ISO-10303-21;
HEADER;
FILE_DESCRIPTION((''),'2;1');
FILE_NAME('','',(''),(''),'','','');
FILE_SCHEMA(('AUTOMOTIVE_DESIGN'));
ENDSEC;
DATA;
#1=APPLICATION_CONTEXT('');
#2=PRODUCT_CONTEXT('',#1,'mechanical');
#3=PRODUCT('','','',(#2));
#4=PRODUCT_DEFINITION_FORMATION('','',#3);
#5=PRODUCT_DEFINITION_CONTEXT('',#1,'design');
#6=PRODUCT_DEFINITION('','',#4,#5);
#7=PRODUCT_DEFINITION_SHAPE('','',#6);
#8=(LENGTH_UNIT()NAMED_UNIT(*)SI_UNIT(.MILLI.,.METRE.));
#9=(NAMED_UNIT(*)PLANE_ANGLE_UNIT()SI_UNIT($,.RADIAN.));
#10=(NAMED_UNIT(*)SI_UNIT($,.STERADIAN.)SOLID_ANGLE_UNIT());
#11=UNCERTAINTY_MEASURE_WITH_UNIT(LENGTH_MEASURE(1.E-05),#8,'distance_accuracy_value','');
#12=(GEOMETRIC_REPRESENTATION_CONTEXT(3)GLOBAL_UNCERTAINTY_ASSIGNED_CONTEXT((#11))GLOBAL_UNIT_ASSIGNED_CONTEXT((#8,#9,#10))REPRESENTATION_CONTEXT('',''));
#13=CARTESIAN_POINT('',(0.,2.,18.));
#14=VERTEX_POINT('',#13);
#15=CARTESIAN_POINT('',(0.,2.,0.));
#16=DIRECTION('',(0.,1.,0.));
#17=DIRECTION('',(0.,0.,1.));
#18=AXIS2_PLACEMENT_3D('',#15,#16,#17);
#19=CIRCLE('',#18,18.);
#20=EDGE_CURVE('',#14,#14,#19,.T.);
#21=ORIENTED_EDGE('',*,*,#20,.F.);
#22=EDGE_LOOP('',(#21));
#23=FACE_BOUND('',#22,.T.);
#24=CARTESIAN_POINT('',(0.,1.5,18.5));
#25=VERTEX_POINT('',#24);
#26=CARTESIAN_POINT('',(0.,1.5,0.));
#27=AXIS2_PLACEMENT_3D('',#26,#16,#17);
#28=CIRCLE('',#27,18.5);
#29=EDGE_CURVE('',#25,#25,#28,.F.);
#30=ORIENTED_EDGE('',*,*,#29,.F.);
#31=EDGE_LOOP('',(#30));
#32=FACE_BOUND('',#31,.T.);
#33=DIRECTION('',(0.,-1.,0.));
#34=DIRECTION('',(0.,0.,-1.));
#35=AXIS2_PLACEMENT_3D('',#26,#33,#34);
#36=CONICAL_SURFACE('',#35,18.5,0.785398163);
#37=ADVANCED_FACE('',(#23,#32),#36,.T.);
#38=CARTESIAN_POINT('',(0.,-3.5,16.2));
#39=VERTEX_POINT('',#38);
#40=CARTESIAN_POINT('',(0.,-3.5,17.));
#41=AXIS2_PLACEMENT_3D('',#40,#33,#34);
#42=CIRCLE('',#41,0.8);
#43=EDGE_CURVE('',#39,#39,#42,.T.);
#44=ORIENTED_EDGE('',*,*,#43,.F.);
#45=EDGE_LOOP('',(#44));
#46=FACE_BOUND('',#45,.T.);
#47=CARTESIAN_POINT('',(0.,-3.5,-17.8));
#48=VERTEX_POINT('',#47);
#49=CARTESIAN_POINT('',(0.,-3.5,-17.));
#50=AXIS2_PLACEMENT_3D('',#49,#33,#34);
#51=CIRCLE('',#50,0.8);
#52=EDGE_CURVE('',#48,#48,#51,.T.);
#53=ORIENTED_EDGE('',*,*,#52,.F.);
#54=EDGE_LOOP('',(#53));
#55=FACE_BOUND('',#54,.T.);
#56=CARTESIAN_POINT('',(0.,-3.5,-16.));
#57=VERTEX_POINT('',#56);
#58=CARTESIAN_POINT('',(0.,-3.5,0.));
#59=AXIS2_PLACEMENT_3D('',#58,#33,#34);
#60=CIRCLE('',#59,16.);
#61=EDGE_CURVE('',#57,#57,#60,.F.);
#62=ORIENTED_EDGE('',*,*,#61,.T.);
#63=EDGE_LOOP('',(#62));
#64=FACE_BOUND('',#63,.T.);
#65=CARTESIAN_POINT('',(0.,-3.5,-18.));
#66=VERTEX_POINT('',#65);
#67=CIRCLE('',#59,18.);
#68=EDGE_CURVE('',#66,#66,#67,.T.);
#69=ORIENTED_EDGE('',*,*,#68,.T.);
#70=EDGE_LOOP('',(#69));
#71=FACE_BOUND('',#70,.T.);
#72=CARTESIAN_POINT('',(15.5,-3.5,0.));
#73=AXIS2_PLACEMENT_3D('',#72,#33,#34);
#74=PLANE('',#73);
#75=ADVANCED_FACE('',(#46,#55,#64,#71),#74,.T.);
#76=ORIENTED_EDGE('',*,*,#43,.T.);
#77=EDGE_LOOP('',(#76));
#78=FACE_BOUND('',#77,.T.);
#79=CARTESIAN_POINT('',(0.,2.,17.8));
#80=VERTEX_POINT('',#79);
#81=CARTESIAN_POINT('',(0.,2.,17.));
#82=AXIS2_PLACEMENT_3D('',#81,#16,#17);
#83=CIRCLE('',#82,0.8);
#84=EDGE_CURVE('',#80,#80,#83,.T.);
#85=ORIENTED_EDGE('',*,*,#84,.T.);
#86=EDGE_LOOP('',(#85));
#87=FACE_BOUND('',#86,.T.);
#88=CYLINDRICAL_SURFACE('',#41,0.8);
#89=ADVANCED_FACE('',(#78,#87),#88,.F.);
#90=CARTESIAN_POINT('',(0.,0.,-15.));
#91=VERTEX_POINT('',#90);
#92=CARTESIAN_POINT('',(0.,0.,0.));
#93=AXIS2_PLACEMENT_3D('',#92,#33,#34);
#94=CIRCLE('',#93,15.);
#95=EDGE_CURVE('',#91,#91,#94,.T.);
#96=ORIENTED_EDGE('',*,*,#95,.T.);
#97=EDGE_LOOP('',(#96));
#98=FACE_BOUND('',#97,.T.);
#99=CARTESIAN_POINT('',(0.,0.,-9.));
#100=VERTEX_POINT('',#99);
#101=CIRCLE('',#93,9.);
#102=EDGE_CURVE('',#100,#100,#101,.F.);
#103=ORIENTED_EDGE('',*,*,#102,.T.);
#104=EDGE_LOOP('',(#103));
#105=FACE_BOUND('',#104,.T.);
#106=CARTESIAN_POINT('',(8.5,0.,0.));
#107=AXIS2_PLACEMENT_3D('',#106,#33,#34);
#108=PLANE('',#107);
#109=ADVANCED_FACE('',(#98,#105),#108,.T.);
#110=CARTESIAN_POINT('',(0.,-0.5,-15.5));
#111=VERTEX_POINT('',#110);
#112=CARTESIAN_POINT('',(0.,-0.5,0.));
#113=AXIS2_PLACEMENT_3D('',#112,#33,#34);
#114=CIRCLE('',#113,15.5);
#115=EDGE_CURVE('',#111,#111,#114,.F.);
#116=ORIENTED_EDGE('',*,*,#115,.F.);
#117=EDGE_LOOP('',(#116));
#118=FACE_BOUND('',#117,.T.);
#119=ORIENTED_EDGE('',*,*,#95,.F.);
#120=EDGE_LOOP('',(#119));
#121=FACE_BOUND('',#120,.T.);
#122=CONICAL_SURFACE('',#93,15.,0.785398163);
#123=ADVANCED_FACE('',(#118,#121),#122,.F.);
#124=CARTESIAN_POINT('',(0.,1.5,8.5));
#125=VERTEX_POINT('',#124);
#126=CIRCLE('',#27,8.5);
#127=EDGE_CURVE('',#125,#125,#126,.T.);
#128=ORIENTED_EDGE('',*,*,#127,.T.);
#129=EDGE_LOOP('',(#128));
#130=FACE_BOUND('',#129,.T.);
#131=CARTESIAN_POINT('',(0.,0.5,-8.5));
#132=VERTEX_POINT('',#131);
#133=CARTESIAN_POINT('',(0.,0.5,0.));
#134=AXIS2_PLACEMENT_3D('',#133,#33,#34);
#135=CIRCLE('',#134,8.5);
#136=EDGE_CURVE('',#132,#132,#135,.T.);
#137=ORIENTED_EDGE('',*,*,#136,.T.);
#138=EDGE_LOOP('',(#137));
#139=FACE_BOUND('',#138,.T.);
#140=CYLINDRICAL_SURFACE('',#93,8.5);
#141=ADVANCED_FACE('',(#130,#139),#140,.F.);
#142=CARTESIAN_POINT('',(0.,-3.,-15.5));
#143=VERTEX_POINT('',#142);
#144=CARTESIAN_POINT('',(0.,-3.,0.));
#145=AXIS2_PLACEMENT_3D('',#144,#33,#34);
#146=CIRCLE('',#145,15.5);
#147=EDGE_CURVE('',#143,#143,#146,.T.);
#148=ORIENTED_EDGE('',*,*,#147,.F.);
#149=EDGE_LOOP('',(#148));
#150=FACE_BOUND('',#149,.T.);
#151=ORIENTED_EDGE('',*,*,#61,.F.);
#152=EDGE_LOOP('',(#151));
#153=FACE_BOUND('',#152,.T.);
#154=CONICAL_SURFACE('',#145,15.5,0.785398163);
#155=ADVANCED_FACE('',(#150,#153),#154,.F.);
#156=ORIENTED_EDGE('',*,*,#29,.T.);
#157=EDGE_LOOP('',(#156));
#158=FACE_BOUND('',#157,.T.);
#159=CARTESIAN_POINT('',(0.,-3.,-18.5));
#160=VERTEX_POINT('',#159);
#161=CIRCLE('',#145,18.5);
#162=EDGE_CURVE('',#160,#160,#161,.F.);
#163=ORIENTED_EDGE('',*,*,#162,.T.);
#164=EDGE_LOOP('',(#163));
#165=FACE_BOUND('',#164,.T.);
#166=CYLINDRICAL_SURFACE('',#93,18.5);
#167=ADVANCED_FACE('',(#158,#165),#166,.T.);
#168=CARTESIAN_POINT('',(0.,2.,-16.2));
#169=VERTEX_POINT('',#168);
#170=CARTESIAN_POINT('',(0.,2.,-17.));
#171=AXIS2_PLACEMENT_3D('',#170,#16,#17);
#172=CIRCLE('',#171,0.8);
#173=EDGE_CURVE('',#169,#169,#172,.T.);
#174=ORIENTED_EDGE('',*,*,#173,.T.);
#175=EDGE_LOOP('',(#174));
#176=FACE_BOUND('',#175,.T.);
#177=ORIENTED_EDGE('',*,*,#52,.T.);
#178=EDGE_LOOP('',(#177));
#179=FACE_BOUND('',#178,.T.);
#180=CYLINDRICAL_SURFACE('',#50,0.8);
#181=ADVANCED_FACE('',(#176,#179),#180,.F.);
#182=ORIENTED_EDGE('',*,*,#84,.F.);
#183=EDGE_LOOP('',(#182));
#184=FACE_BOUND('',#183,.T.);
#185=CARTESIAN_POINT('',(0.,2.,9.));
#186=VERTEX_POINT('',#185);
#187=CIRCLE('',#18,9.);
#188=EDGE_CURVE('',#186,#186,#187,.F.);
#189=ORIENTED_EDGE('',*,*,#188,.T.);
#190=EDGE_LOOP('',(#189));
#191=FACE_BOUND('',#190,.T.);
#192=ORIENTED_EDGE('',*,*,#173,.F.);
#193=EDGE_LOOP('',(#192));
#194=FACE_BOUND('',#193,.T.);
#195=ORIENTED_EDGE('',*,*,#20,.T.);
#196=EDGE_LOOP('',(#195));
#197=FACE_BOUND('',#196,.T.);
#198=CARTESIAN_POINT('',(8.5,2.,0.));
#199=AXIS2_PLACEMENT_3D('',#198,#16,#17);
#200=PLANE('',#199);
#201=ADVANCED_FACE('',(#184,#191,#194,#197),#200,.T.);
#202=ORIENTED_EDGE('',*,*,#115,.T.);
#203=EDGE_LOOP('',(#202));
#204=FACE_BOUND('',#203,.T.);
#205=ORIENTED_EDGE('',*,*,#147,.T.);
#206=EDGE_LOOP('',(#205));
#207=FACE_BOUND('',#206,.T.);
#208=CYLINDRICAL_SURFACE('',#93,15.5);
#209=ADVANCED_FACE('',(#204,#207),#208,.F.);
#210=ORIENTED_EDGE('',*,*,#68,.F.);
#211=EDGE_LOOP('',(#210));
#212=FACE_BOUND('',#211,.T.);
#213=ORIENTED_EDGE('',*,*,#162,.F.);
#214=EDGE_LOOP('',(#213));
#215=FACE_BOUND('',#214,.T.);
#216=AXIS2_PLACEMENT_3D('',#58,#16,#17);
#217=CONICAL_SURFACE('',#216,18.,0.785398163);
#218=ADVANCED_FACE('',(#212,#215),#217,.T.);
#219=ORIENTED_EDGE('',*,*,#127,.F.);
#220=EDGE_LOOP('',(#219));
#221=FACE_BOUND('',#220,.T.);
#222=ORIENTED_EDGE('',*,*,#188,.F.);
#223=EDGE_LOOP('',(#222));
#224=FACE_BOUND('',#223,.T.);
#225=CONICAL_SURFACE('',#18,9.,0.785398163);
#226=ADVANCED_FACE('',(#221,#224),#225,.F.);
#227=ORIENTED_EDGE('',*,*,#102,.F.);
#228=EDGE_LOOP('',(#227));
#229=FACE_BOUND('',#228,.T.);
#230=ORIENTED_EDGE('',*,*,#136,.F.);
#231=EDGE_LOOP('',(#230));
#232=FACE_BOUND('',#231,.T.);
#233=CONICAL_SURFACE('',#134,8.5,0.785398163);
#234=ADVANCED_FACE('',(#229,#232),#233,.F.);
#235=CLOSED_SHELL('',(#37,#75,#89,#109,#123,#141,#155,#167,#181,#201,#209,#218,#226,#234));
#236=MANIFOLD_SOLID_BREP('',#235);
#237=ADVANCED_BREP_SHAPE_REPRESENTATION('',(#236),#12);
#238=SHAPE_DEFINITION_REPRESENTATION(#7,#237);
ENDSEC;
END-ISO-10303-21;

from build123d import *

# Parameters (mm, degrees)
CHAMFER1_SIZE             = 0.5
M2X0_4_TAPPED_HOLE1_D     = 1.6
M2X0_4_TAPPED_HOLE1_DEPTH = 15.2
M2X0_4_TAPPED_HOLE1_TIP   = 0.480688495


with BuildPart() as part:
    # Sketch2 → Revolve1 (revolve)
    with BuildSketch(Plane.XY, mode=Mode.PRIVATE) as revolve1_sk:
        Polygon((15.5, 0), (15.5, -3.5), (18.5, -3.5), (18.5, 2), (8.5, 2), (8.5, 0), align=None)
    revolve(revolve1_sk.sketch.rotate(Axis((0, 0, 0), (0, 1, 0)), 90), axis=Axis((0, 0, 0), (0, 1, 0)))  # turned: the seam where the file's is

    # Chamfer1
    chamfer1_edges = [part.edges().sort_by_distance(p)[0] for p in [
        (0, 0, 8.5),
        (0, 0, 15.5),
        (0, -3.5, 15.5),
        (0, -3.5, 18.5),
        (0, 2, 18.5),
        (0, 2, 8.5),
    ]]
    chamfer(chamfer1_edges, length=CHAMFER1_SIZE)

    # M2x0.4 Tapped Hole1
    with Locations(Plane(origin=(0, -3.5, 17), x_dir=(0, 0, -1), z_dir=(0, -1, 0))):
        with Locations((0, 0), (34, 0)):
            Hole(M2X0_4_TAPPED_HOLE1_D / 2, depth=M2X0_4_TAPPED_HOLE1_DEPTH)
            with Locations((0, 0, -(M2X0_4_TAPPED_HOLE1_DEPTH + M2X0_4_TAPPED_HOLE1_TIP / 2))):  # 118° drill point
                Cone(0, M2X0_4_TAPPED_HOLE1_D / 2, M2X0_4_TAPPED_HOLE1_TIP, mode=Mode.SUBTRACT)


solid = part.part
